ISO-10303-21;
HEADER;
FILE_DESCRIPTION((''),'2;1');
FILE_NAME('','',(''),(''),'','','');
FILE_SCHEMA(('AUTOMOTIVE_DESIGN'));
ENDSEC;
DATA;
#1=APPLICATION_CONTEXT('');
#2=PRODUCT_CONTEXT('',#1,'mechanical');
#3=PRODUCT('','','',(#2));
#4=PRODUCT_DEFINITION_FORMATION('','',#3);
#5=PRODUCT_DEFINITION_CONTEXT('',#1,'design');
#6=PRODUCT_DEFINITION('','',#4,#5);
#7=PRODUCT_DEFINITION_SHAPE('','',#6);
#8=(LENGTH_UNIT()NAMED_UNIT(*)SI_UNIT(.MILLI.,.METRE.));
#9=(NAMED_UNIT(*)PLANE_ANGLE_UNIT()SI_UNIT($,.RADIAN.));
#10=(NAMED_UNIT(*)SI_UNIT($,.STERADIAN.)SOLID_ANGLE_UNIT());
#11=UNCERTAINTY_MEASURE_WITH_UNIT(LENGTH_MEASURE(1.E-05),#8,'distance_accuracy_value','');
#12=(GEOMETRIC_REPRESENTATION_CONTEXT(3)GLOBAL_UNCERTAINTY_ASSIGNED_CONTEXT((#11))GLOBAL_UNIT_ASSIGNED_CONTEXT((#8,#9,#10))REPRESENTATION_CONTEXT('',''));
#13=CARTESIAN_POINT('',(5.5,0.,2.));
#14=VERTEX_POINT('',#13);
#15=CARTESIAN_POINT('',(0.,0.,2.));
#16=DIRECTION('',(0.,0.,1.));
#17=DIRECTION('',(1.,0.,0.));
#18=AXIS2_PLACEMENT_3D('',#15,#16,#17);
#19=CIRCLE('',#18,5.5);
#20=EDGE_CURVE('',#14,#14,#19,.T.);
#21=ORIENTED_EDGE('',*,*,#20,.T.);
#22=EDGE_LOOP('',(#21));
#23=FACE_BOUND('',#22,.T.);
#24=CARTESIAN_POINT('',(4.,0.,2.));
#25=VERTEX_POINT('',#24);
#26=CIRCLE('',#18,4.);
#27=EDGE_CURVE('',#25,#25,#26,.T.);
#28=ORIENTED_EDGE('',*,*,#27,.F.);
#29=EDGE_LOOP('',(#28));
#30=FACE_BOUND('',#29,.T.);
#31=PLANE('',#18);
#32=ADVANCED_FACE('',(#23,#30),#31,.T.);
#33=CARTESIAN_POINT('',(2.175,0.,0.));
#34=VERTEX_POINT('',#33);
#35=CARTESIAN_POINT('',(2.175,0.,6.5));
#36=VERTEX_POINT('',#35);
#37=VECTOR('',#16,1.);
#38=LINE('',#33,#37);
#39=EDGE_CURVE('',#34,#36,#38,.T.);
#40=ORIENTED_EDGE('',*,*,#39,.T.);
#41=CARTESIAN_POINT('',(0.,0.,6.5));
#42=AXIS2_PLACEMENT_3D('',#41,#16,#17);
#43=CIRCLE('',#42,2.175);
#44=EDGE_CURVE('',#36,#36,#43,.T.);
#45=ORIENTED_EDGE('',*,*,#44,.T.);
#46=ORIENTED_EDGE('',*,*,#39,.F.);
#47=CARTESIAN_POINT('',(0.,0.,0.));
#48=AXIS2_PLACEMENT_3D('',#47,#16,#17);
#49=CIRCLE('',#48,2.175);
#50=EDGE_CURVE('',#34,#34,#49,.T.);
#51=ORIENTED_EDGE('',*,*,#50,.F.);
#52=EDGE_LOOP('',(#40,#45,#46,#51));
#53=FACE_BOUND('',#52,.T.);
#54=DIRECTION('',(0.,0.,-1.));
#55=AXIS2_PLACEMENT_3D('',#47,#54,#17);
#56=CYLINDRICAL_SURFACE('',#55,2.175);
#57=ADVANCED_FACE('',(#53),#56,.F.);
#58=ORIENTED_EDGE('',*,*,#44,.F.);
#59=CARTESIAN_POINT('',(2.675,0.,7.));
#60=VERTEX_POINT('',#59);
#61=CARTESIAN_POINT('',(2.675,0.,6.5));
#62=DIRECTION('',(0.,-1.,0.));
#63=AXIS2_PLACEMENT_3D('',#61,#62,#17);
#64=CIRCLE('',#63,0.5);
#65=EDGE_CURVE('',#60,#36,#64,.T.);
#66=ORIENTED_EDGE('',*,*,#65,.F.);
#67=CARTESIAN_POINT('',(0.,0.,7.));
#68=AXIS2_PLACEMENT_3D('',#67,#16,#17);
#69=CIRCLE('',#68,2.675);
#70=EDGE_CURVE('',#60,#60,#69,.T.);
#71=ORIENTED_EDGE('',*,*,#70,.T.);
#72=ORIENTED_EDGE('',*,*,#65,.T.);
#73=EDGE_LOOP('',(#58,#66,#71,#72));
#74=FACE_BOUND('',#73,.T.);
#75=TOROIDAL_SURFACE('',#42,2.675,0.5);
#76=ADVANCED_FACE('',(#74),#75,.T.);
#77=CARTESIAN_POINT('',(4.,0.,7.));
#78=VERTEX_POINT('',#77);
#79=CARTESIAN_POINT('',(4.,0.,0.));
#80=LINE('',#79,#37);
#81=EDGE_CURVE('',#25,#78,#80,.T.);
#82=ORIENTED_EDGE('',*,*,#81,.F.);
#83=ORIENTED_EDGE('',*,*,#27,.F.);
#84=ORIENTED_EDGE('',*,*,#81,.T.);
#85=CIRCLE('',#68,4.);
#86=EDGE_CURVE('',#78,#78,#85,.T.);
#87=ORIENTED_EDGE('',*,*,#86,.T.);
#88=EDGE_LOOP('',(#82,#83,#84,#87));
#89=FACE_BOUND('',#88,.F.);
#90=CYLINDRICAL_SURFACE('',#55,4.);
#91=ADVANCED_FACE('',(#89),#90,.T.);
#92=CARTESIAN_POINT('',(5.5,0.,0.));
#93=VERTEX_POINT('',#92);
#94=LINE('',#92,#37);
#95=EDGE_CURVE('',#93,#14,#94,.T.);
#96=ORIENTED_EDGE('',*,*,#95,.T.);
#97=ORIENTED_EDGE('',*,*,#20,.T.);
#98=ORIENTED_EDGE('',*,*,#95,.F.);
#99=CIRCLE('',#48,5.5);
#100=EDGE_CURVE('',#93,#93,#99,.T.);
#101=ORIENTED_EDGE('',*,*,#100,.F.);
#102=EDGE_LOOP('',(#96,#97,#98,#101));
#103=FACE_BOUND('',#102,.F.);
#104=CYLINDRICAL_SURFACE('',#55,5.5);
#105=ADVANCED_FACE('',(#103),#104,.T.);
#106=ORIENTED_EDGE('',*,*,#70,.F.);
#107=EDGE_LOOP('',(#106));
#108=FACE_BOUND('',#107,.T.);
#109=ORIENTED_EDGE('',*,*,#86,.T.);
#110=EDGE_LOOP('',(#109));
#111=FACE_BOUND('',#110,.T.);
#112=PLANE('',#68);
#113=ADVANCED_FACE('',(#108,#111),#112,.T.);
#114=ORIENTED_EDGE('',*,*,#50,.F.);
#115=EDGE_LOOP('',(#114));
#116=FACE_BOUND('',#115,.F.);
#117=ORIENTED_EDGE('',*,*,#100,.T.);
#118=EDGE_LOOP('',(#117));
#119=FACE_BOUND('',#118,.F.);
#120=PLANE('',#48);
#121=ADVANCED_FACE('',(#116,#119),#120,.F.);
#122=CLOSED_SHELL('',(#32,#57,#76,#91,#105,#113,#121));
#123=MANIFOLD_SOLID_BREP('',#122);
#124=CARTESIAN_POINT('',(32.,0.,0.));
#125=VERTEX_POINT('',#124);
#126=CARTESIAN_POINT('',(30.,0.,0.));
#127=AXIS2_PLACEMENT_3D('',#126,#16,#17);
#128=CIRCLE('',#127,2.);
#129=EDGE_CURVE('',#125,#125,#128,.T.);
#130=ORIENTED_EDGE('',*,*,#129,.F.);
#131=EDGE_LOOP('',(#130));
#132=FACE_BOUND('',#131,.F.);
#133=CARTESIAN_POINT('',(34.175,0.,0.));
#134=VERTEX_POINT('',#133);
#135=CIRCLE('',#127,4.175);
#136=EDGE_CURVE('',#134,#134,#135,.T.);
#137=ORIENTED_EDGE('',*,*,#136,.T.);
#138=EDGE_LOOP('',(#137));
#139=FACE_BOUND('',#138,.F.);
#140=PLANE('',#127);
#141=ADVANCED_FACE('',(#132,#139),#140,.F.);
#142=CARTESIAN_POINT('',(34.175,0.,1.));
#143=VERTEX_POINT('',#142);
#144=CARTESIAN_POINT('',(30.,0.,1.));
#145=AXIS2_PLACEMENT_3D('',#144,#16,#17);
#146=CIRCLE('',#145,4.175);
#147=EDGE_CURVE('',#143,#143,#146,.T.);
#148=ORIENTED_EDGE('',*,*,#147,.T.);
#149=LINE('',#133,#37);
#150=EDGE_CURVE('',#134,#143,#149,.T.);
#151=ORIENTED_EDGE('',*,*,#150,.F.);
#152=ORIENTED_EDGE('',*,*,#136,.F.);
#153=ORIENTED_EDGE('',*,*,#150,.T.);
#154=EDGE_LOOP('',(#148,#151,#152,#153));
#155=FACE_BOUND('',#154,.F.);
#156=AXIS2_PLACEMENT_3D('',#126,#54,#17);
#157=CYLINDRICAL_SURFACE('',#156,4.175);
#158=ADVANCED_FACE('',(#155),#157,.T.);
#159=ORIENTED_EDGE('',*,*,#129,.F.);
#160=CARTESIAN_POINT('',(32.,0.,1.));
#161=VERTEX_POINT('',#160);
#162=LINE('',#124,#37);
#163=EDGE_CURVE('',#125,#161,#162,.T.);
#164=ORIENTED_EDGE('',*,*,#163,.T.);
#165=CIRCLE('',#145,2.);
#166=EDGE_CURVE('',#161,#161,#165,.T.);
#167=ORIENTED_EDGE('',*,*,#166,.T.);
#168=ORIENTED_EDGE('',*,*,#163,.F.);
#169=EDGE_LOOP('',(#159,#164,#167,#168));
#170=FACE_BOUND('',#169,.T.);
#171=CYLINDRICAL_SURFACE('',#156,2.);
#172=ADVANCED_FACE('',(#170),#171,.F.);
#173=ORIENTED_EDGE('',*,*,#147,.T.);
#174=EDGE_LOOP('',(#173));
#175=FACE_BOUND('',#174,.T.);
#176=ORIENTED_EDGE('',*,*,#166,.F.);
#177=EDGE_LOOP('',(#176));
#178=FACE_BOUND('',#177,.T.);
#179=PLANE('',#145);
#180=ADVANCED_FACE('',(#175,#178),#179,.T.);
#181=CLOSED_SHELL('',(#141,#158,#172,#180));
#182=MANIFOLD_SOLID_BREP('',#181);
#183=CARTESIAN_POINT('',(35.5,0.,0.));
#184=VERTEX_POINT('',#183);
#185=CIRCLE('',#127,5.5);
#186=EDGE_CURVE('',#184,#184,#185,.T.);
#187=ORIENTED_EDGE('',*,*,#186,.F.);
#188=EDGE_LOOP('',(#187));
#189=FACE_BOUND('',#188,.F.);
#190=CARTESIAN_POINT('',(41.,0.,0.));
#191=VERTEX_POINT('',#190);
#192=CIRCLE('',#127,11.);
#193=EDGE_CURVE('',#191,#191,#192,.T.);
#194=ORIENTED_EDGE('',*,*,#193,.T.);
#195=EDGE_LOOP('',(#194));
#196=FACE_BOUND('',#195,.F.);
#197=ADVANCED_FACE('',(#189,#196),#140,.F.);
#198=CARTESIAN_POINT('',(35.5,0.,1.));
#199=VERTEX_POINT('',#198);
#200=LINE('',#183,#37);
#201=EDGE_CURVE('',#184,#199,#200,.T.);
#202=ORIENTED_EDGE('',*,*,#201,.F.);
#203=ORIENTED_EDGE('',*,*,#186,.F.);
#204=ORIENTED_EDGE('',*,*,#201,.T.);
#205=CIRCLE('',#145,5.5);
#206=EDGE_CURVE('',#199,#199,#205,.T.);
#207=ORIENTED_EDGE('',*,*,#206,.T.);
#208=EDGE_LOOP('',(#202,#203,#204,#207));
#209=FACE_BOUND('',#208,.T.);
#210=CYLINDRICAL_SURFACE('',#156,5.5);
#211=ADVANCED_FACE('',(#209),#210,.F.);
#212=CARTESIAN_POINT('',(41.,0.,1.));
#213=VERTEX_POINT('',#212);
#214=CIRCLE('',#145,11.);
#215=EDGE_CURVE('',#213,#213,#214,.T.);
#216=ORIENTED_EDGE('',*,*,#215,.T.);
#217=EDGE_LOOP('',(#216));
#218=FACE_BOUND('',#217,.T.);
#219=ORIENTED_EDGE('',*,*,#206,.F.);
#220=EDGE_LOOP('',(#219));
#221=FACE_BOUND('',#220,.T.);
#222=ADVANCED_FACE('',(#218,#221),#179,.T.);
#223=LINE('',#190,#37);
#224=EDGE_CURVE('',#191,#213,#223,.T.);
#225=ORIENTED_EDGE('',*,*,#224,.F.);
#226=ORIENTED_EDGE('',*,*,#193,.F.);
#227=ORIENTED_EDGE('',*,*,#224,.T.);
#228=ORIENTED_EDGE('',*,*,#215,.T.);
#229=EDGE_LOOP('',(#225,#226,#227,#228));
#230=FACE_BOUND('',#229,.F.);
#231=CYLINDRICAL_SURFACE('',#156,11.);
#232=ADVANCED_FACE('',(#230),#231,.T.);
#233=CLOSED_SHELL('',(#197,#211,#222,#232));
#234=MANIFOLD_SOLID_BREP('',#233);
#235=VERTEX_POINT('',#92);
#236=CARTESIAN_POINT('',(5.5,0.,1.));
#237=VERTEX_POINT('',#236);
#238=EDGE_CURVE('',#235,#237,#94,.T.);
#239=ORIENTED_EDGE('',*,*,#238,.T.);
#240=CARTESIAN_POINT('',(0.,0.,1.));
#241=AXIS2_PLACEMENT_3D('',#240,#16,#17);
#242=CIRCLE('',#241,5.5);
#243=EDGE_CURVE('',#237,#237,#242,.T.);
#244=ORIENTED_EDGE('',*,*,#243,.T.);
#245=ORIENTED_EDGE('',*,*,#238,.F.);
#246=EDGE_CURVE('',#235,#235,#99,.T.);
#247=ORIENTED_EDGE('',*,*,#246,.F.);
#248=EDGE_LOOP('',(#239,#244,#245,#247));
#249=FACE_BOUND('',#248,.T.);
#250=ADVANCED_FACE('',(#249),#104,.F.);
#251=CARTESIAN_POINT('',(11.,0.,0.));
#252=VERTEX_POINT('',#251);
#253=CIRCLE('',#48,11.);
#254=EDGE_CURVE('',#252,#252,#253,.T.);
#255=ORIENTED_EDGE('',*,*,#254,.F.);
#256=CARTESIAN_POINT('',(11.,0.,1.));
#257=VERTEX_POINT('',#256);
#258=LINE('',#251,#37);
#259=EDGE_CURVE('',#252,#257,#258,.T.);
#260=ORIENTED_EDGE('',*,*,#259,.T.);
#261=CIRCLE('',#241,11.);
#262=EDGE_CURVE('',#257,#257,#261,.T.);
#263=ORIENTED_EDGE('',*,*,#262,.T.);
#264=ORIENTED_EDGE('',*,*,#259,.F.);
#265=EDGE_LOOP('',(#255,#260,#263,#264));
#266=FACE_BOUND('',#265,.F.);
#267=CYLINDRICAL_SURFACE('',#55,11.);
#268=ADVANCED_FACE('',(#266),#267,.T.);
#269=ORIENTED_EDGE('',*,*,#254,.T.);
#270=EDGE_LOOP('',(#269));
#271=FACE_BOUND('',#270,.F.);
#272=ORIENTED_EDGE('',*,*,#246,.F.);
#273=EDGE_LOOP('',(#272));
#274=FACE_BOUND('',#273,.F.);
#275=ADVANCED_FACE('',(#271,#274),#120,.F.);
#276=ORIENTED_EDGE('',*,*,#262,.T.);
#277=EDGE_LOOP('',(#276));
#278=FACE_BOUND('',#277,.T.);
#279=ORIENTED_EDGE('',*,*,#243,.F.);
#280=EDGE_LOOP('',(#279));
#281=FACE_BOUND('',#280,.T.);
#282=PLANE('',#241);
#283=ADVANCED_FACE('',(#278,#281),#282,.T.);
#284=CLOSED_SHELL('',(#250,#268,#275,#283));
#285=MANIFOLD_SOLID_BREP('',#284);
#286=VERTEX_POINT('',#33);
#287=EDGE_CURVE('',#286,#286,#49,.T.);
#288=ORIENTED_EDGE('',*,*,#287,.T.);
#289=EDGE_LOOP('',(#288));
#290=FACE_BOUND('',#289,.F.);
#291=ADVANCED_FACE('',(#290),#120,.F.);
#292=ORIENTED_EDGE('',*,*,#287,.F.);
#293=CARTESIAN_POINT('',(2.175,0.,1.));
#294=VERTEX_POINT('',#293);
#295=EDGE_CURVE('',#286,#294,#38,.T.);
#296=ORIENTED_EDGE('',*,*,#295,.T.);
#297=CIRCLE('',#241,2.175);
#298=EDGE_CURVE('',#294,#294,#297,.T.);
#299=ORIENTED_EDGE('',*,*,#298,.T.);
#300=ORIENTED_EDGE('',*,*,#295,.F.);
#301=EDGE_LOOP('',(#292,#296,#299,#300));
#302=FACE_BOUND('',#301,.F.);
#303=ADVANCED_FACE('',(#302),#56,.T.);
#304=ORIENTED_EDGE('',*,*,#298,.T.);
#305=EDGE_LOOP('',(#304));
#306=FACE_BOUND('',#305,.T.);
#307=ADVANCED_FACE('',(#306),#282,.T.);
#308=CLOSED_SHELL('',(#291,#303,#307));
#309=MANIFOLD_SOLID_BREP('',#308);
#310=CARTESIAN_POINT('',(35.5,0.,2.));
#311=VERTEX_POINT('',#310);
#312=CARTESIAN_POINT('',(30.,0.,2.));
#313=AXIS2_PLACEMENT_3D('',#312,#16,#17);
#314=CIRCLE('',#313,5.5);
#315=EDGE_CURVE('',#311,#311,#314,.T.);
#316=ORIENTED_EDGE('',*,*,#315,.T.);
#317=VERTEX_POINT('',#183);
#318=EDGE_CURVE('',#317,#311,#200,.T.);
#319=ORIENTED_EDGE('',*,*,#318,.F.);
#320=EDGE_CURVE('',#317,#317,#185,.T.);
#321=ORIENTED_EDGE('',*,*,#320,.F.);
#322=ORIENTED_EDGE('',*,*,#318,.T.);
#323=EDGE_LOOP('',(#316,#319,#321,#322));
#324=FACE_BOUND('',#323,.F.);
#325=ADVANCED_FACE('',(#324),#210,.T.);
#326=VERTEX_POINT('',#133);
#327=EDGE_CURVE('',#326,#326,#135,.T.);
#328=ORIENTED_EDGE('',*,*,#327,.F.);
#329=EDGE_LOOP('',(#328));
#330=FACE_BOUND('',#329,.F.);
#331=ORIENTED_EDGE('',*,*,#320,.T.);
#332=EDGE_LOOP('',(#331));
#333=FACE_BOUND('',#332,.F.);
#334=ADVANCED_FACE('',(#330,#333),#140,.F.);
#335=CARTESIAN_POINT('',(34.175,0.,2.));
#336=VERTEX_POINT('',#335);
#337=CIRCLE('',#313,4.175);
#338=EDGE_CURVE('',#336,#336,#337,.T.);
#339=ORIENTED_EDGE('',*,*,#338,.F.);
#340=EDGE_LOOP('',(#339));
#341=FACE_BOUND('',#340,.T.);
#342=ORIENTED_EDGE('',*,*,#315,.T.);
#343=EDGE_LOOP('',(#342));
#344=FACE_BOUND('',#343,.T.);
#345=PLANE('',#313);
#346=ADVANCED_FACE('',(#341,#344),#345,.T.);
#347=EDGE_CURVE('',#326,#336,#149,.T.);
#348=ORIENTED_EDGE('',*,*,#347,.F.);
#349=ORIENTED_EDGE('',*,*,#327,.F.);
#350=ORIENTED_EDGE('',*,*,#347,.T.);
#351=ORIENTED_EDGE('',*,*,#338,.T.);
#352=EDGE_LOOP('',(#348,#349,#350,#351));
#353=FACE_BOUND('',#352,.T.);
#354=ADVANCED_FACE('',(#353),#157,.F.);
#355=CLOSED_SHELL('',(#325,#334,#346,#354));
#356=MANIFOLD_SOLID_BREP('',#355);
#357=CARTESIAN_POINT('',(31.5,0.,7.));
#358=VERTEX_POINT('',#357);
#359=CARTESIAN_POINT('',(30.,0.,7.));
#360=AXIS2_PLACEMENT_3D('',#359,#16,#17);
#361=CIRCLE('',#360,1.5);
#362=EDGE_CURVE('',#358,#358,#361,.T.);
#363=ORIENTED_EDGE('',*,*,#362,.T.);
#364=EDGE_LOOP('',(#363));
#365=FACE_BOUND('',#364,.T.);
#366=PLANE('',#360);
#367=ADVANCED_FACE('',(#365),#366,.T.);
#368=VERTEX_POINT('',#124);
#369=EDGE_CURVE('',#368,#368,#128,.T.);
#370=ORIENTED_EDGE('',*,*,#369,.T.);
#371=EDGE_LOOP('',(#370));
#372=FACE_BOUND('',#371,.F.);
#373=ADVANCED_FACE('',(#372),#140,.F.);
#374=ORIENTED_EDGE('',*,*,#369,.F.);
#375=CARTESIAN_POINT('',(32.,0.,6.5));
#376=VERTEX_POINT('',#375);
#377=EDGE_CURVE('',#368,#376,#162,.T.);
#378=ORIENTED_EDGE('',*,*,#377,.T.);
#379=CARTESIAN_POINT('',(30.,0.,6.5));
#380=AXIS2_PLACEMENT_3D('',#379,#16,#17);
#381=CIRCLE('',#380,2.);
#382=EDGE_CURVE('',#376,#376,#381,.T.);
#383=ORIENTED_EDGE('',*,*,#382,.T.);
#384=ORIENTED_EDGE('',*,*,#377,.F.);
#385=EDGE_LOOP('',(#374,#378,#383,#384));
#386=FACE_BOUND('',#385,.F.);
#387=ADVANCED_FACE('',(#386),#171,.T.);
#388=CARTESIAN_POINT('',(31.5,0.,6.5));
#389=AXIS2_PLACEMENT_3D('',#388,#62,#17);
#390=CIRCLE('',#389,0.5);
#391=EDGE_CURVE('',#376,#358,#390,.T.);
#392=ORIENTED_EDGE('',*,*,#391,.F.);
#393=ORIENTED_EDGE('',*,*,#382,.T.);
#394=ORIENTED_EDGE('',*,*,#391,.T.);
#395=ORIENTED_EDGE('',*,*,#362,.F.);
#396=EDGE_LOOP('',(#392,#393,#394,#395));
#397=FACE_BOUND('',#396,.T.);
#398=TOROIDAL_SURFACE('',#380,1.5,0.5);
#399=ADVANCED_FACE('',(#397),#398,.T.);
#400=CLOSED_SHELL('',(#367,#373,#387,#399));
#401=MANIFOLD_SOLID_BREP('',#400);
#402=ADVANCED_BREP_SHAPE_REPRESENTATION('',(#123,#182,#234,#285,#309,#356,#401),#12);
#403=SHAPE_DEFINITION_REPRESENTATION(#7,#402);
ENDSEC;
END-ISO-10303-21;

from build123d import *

# Parameters (mm, degrees)
F0_R     = 11
F0_R_2   = 5.5
F1_DEPTH = 1
F0_R_3   = 4
F0_R_4   = 4.175
F2_DEPTH = 2
F0_R_5   = 2.175
F0_R_6   = 2
F3_DEPTH = 7
F4_DEPTH = 1
F5_R     = 0.5


with BuildPart() as f1:
    # F0 (on Top) → F1 (new body)
    with BuildSketch(Plane.XY):
        Circle(F0_R)
        Circle(F0_R_2, mode=Mode.SUBTRACT)
        with Locations((30, 0)):
            Circle(F0_R)
        with Locations((30, 0)):
            Circle(F0_R_2, mode=Mode.SUBTRACT)
    extrude(amount=F1_DEPTH)


with BuildPart() as f2:
    # F0 (on Top) → F2 (new body)
    with BuildSketch(Plane.XY):
        Circle(F0_R_2)
        Circle(F0_R_3, mode=Mode.SUBTRACT)
        with Locations((30, 0)):
            Circle(F0_R_2)
        with Locations((30, 0)):
            Circle(F0_R_4, mode=Mode.SUBTRACT)
    extrude(amount=F2_DEPTH)

    # F0 (on Top) → F3 (join)
    with BuildSketch(Plane.XY):
        Circle(F0_R_3)
        Circle(F0_R_5, mode=Mode.SUBTRACT)
        with Locations((30, 0)):
            Circle(F0_R_6)
    extrude(amount=F3_DEPTH)

    # F5
    f5_edges = [f2.edges().sort_by_distance(p)[0] for p in [
        (28, 0, 7),
        (-2.175, 0, 7),
    ]]
    fillet(f5_edges, radius=F5_R)


with BuildPart() as f4:
    # F0 (on Top) → F4 (new body)
    with BuildSketch(Plane.XY):
        with Locations((30, 0)):
            Circle(F0_R_4)
        with Locations((30, 0)):
            Circle(F0_R_6, mode=Mode.SUBTRACT)
        Circle(F0_R_5)
    extrude(amount=F4_DEPTH)


solid = Compound([f1.part, f2.part, f4.part])
